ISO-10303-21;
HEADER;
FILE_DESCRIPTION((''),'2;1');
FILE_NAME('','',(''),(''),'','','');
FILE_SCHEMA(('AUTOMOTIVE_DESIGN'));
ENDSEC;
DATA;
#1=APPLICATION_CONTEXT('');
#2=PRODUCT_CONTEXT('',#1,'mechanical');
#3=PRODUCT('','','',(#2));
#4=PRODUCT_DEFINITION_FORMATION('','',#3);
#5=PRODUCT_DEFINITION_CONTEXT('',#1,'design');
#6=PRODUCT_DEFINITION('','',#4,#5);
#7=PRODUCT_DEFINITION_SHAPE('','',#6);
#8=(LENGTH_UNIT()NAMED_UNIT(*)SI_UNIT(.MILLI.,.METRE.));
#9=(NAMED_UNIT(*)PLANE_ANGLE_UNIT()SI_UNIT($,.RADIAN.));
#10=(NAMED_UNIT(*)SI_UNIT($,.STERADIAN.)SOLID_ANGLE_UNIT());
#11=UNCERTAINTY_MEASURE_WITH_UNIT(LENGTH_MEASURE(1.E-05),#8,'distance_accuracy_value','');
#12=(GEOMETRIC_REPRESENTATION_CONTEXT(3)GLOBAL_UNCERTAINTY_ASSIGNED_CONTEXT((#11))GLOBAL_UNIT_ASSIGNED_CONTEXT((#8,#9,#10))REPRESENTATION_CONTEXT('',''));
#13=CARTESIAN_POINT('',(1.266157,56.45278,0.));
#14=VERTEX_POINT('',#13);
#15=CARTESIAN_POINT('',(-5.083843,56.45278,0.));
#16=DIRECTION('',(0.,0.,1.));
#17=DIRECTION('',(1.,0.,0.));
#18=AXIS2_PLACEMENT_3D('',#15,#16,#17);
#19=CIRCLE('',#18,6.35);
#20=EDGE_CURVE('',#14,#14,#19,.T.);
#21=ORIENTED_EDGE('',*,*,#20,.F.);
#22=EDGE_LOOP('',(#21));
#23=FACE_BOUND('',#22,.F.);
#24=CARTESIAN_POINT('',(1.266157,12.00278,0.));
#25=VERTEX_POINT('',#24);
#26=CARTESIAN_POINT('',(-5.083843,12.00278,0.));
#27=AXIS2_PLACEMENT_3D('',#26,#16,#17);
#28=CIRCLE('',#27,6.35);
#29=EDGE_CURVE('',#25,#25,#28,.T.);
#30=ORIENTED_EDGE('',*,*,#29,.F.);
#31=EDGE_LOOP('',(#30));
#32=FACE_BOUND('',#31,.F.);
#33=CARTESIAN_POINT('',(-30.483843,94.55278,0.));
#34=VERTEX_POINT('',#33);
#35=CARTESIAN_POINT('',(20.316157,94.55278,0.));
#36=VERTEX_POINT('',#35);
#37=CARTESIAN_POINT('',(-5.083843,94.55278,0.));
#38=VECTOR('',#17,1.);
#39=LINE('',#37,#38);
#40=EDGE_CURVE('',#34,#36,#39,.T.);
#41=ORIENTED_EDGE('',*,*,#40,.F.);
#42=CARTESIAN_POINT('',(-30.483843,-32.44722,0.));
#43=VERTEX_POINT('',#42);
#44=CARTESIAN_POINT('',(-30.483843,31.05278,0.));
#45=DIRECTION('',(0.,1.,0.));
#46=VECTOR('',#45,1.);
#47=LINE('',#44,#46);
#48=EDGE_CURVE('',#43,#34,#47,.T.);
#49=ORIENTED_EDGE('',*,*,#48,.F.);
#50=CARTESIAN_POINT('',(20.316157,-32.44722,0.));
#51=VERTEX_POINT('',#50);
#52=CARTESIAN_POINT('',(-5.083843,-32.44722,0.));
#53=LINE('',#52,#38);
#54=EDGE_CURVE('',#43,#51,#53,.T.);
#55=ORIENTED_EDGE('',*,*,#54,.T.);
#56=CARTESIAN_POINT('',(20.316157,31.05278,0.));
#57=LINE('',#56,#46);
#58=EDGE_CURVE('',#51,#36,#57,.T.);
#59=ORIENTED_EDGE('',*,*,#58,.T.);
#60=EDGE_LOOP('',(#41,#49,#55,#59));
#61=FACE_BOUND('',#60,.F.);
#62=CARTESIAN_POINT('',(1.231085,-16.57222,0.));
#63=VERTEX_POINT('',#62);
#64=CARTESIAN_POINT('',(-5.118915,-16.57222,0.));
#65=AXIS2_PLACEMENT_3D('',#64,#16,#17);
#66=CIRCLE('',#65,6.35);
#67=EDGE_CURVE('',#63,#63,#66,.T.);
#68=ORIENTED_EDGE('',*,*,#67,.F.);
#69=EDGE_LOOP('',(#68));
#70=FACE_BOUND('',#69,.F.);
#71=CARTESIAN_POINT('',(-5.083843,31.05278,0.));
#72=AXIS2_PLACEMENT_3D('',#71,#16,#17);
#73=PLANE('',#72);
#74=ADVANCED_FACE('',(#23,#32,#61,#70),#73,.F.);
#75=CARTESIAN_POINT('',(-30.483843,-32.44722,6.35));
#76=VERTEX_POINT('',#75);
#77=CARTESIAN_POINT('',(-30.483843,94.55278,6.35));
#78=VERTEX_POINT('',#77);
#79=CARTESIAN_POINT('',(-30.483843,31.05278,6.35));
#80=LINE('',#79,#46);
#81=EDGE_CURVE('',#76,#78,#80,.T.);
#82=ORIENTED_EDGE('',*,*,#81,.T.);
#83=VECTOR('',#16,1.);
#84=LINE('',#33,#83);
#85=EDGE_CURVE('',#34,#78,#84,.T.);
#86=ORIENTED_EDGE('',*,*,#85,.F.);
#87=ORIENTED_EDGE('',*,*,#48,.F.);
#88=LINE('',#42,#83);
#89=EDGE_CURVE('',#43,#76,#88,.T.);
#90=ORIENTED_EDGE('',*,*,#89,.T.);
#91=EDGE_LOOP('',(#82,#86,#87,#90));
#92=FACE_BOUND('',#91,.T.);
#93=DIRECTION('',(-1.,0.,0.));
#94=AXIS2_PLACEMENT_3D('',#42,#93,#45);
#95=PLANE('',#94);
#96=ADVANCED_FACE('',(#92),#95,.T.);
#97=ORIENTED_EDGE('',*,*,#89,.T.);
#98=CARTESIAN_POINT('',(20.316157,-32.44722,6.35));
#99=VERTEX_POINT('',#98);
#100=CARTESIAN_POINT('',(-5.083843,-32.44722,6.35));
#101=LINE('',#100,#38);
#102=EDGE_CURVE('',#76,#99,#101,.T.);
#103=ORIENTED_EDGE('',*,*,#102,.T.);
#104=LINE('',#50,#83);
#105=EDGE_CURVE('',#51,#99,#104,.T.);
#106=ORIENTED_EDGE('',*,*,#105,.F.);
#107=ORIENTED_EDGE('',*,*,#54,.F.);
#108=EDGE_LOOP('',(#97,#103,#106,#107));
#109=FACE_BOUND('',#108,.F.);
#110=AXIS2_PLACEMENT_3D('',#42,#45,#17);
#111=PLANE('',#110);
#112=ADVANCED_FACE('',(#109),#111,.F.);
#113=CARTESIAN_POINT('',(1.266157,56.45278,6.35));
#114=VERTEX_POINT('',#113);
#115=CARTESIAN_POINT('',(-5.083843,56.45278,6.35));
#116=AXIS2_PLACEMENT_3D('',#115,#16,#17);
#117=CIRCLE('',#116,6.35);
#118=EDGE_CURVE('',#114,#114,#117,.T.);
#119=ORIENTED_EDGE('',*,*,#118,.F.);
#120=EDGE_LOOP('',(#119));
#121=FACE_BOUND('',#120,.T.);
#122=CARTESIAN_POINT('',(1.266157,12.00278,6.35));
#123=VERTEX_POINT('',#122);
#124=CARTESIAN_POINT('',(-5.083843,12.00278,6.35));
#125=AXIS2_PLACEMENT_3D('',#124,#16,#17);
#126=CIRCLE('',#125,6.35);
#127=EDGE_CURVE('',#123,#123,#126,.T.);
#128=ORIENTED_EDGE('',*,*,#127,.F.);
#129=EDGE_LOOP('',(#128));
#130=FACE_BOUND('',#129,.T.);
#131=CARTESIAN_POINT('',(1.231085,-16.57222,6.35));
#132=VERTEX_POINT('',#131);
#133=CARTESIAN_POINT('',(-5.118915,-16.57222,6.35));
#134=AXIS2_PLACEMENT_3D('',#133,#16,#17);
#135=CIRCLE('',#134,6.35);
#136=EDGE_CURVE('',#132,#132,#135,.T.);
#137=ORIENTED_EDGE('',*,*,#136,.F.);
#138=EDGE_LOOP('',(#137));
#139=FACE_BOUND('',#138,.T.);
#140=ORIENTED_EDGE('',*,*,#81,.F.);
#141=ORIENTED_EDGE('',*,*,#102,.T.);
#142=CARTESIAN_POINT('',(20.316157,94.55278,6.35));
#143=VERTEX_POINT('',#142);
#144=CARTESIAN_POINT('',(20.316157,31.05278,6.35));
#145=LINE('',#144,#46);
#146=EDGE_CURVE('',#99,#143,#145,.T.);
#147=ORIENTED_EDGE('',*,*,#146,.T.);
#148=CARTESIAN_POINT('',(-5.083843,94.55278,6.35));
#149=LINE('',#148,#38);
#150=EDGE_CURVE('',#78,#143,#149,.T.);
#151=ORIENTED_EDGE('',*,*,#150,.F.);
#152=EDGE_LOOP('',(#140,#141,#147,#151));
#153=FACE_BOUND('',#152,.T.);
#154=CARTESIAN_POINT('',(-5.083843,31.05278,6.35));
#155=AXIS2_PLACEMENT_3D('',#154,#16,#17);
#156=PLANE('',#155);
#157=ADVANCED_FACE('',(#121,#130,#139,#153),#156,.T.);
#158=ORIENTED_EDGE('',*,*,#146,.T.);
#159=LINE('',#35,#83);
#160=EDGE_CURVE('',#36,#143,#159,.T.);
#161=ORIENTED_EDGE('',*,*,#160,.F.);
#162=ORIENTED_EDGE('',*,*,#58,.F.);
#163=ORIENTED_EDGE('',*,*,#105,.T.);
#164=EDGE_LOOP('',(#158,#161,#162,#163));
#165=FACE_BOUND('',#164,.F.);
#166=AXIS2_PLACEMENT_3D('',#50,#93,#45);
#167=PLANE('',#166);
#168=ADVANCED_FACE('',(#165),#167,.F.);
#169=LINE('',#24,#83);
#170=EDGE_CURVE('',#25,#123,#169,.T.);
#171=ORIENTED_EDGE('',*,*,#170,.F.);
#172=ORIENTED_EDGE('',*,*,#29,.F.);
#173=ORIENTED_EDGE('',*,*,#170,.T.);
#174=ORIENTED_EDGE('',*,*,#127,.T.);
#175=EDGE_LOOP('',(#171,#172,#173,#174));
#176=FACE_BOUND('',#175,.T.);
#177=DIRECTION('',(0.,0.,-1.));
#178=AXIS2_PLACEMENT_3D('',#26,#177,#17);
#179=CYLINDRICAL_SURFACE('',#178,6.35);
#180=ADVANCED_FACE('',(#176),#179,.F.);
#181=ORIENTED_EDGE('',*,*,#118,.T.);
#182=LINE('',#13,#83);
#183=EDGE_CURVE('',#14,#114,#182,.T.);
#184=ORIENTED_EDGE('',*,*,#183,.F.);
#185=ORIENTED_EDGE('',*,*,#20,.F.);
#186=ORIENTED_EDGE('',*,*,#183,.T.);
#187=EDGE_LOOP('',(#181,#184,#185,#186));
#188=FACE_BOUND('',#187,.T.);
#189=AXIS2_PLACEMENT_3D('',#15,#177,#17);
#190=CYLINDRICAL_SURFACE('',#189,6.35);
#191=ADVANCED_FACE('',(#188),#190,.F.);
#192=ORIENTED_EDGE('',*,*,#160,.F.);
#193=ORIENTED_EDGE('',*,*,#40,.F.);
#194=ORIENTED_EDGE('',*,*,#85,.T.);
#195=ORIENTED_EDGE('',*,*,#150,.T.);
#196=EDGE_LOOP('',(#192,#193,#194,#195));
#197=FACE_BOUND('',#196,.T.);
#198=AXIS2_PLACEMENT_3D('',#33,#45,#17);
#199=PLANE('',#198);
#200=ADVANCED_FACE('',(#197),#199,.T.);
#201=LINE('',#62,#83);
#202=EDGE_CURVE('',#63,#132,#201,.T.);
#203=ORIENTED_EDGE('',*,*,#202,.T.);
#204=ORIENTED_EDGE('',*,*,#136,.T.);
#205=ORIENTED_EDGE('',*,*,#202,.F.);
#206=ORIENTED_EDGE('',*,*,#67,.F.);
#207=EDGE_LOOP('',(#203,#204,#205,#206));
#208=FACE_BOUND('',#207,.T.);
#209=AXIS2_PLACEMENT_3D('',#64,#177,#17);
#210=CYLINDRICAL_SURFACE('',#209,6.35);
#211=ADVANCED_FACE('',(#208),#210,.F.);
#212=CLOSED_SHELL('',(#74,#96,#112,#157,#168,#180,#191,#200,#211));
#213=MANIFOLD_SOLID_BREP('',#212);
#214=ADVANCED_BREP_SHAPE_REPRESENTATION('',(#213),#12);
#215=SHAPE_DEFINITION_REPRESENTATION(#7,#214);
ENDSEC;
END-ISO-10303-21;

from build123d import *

# Parameters (mm, degrees)
F0_W     = 50.8
F0_H     = 127
F0_R     = 6.35
F1_DEPTH = 6.35


with BuildPart() as f1:
    # F0 (on Top) → F1 (new body)
    with BuildSketch(Plane.XY):
        with Locations((-5.083843, 31.05278)):
            Rectangle(F0_W, F0_H)
        with Locations((-5.118915, -16.57222)):
            Circle(F0_R, mode=Mode.SUBTRACT)
        with Locations((-5.083843, 12.00278)):
            Circle(F0_R, mode=Mode.SUBTRACT)
        with Locations((-5.083843, 56.45278)):
            Circle(F0_R, mode=Mode.SUBTRACT)
    extrude(amount=F1_DEPTH)


solid = f1.part
